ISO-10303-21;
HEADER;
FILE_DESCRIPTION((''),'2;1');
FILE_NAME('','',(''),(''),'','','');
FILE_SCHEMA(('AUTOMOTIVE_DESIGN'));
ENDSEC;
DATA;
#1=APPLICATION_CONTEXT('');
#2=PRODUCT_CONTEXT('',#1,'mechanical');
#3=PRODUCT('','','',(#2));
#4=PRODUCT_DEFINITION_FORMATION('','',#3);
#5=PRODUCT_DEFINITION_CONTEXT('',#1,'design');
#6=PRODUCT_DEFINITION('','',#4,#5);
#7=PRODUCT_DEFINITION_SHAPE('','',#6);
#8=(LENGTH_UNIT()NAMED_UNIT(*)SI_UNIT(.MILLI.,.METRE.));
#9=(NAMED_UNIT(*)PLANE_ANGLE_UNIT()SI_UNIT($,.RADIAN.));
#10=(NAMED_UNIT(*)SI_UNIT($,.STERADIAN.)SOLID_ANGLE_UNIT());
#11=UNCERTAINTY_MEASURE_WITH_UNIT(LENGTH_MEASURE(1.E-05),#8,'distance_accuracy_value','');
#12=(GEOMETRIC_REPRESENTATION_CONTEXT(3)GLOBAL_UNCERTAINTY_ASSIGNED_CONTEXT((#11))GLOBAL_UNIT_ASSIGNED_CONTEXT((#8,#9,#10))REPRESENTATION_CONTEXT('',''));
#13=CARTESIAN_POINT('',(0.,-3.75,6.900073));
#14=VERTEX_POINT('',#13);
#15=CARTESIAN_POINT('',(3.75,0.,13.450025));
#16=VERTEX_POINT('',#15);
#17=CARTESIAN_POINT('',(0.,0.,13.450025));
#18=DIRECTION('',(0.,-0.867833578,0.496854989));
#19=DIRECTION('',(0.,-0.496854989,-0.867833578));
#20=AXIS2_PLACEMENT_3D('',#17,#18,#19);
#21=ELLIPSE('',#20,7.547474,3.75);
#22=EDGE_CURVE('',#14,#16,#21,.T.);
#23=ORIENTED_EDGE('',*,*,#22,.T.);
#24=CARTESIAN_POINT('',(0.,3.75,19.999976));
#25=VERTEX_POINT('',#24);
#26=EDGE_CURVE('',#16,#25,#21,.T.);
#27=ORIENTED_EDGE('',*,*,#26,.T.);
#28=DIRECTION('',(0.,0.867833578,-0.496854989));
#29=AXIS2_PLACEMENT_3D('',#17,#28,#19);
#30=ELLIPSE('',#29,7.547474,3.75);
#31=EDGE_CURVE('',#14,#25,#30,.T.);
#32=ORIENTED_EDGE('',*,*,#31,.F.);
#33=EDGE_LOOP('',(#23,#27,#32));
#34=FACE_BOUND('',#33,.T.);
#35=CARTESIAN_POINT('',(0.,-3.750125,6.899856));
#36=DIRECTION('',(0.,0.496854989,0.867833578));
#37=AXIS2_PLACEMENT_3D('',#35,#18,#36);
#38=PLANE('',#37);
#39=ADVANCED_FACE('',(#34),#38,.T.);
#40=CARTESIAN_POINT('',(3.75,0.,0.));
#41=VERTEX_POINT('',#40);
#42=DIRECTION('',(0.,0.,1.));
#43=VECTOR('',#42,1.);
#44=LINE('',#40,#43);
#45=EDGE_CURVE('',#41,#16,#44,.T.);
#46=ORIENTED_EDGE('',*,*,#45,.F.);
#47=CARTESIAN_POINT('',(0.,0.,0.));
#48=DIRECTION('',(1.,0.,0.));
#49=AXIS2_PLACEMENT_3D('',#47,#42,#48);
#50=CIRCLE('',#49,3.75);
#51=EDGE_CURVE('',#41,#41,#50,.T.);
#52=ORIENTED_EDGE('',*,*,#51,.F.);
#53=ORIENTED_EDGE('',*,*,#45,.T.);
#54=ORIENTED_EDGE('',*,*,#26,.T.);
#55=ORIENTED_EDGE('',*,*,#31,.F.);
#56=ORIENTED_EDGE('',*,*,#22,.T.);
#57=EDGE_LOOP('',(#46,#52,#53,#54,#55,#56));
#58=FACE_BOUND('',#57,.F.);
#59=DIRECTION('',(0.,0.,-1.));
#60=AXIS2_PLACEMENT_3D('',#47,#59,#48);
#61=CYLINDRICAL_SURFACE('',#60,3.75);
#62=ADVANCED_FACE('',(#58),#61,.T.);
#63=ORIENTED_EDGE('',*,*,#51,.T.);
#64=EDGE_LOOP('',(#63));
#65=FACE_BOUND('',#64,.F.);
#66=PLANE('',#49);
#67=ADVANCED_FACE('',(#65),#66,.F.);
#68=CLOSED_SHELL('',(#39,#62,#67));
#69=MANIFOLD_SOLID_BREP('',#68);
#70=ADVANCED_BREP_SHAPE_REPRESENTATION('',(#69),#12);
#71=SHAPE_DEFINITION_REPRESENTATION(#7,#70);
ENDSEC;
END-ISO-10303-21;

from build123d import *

# Parameters (mm, degrees)
F0_R          = 3.75
F1_DEPTH      = 20
F3_DEPTH      = 26
F3_DEPTH_BACK = 25


with BuildPart() as f1:
    # F0 (on Top) → F1 (new body)
    with BuildSketch(Plane.XY):
        Circle(F0_R)
    extrude(amount=F1_DEPTH)

    # F2 (on Right) → F3 (cut, two sides)
    with BuildSketch(Plane.YZ) as f3_sk:
        Polygon((-3.7501247134, 6.8998555653), (3.750013886, 20), (4.0639318512, 47.3200296898), (-16.8426203673, 38.7172108249), align=None)
    extrude(amount=-F3_DEPTH, mode=Mode.SUBTRACT)
    extrude(f3_sk.sketch, amount=F3_DEPTH_BACK, mode=Mode.SUBTRACT)


solid = f1.part
